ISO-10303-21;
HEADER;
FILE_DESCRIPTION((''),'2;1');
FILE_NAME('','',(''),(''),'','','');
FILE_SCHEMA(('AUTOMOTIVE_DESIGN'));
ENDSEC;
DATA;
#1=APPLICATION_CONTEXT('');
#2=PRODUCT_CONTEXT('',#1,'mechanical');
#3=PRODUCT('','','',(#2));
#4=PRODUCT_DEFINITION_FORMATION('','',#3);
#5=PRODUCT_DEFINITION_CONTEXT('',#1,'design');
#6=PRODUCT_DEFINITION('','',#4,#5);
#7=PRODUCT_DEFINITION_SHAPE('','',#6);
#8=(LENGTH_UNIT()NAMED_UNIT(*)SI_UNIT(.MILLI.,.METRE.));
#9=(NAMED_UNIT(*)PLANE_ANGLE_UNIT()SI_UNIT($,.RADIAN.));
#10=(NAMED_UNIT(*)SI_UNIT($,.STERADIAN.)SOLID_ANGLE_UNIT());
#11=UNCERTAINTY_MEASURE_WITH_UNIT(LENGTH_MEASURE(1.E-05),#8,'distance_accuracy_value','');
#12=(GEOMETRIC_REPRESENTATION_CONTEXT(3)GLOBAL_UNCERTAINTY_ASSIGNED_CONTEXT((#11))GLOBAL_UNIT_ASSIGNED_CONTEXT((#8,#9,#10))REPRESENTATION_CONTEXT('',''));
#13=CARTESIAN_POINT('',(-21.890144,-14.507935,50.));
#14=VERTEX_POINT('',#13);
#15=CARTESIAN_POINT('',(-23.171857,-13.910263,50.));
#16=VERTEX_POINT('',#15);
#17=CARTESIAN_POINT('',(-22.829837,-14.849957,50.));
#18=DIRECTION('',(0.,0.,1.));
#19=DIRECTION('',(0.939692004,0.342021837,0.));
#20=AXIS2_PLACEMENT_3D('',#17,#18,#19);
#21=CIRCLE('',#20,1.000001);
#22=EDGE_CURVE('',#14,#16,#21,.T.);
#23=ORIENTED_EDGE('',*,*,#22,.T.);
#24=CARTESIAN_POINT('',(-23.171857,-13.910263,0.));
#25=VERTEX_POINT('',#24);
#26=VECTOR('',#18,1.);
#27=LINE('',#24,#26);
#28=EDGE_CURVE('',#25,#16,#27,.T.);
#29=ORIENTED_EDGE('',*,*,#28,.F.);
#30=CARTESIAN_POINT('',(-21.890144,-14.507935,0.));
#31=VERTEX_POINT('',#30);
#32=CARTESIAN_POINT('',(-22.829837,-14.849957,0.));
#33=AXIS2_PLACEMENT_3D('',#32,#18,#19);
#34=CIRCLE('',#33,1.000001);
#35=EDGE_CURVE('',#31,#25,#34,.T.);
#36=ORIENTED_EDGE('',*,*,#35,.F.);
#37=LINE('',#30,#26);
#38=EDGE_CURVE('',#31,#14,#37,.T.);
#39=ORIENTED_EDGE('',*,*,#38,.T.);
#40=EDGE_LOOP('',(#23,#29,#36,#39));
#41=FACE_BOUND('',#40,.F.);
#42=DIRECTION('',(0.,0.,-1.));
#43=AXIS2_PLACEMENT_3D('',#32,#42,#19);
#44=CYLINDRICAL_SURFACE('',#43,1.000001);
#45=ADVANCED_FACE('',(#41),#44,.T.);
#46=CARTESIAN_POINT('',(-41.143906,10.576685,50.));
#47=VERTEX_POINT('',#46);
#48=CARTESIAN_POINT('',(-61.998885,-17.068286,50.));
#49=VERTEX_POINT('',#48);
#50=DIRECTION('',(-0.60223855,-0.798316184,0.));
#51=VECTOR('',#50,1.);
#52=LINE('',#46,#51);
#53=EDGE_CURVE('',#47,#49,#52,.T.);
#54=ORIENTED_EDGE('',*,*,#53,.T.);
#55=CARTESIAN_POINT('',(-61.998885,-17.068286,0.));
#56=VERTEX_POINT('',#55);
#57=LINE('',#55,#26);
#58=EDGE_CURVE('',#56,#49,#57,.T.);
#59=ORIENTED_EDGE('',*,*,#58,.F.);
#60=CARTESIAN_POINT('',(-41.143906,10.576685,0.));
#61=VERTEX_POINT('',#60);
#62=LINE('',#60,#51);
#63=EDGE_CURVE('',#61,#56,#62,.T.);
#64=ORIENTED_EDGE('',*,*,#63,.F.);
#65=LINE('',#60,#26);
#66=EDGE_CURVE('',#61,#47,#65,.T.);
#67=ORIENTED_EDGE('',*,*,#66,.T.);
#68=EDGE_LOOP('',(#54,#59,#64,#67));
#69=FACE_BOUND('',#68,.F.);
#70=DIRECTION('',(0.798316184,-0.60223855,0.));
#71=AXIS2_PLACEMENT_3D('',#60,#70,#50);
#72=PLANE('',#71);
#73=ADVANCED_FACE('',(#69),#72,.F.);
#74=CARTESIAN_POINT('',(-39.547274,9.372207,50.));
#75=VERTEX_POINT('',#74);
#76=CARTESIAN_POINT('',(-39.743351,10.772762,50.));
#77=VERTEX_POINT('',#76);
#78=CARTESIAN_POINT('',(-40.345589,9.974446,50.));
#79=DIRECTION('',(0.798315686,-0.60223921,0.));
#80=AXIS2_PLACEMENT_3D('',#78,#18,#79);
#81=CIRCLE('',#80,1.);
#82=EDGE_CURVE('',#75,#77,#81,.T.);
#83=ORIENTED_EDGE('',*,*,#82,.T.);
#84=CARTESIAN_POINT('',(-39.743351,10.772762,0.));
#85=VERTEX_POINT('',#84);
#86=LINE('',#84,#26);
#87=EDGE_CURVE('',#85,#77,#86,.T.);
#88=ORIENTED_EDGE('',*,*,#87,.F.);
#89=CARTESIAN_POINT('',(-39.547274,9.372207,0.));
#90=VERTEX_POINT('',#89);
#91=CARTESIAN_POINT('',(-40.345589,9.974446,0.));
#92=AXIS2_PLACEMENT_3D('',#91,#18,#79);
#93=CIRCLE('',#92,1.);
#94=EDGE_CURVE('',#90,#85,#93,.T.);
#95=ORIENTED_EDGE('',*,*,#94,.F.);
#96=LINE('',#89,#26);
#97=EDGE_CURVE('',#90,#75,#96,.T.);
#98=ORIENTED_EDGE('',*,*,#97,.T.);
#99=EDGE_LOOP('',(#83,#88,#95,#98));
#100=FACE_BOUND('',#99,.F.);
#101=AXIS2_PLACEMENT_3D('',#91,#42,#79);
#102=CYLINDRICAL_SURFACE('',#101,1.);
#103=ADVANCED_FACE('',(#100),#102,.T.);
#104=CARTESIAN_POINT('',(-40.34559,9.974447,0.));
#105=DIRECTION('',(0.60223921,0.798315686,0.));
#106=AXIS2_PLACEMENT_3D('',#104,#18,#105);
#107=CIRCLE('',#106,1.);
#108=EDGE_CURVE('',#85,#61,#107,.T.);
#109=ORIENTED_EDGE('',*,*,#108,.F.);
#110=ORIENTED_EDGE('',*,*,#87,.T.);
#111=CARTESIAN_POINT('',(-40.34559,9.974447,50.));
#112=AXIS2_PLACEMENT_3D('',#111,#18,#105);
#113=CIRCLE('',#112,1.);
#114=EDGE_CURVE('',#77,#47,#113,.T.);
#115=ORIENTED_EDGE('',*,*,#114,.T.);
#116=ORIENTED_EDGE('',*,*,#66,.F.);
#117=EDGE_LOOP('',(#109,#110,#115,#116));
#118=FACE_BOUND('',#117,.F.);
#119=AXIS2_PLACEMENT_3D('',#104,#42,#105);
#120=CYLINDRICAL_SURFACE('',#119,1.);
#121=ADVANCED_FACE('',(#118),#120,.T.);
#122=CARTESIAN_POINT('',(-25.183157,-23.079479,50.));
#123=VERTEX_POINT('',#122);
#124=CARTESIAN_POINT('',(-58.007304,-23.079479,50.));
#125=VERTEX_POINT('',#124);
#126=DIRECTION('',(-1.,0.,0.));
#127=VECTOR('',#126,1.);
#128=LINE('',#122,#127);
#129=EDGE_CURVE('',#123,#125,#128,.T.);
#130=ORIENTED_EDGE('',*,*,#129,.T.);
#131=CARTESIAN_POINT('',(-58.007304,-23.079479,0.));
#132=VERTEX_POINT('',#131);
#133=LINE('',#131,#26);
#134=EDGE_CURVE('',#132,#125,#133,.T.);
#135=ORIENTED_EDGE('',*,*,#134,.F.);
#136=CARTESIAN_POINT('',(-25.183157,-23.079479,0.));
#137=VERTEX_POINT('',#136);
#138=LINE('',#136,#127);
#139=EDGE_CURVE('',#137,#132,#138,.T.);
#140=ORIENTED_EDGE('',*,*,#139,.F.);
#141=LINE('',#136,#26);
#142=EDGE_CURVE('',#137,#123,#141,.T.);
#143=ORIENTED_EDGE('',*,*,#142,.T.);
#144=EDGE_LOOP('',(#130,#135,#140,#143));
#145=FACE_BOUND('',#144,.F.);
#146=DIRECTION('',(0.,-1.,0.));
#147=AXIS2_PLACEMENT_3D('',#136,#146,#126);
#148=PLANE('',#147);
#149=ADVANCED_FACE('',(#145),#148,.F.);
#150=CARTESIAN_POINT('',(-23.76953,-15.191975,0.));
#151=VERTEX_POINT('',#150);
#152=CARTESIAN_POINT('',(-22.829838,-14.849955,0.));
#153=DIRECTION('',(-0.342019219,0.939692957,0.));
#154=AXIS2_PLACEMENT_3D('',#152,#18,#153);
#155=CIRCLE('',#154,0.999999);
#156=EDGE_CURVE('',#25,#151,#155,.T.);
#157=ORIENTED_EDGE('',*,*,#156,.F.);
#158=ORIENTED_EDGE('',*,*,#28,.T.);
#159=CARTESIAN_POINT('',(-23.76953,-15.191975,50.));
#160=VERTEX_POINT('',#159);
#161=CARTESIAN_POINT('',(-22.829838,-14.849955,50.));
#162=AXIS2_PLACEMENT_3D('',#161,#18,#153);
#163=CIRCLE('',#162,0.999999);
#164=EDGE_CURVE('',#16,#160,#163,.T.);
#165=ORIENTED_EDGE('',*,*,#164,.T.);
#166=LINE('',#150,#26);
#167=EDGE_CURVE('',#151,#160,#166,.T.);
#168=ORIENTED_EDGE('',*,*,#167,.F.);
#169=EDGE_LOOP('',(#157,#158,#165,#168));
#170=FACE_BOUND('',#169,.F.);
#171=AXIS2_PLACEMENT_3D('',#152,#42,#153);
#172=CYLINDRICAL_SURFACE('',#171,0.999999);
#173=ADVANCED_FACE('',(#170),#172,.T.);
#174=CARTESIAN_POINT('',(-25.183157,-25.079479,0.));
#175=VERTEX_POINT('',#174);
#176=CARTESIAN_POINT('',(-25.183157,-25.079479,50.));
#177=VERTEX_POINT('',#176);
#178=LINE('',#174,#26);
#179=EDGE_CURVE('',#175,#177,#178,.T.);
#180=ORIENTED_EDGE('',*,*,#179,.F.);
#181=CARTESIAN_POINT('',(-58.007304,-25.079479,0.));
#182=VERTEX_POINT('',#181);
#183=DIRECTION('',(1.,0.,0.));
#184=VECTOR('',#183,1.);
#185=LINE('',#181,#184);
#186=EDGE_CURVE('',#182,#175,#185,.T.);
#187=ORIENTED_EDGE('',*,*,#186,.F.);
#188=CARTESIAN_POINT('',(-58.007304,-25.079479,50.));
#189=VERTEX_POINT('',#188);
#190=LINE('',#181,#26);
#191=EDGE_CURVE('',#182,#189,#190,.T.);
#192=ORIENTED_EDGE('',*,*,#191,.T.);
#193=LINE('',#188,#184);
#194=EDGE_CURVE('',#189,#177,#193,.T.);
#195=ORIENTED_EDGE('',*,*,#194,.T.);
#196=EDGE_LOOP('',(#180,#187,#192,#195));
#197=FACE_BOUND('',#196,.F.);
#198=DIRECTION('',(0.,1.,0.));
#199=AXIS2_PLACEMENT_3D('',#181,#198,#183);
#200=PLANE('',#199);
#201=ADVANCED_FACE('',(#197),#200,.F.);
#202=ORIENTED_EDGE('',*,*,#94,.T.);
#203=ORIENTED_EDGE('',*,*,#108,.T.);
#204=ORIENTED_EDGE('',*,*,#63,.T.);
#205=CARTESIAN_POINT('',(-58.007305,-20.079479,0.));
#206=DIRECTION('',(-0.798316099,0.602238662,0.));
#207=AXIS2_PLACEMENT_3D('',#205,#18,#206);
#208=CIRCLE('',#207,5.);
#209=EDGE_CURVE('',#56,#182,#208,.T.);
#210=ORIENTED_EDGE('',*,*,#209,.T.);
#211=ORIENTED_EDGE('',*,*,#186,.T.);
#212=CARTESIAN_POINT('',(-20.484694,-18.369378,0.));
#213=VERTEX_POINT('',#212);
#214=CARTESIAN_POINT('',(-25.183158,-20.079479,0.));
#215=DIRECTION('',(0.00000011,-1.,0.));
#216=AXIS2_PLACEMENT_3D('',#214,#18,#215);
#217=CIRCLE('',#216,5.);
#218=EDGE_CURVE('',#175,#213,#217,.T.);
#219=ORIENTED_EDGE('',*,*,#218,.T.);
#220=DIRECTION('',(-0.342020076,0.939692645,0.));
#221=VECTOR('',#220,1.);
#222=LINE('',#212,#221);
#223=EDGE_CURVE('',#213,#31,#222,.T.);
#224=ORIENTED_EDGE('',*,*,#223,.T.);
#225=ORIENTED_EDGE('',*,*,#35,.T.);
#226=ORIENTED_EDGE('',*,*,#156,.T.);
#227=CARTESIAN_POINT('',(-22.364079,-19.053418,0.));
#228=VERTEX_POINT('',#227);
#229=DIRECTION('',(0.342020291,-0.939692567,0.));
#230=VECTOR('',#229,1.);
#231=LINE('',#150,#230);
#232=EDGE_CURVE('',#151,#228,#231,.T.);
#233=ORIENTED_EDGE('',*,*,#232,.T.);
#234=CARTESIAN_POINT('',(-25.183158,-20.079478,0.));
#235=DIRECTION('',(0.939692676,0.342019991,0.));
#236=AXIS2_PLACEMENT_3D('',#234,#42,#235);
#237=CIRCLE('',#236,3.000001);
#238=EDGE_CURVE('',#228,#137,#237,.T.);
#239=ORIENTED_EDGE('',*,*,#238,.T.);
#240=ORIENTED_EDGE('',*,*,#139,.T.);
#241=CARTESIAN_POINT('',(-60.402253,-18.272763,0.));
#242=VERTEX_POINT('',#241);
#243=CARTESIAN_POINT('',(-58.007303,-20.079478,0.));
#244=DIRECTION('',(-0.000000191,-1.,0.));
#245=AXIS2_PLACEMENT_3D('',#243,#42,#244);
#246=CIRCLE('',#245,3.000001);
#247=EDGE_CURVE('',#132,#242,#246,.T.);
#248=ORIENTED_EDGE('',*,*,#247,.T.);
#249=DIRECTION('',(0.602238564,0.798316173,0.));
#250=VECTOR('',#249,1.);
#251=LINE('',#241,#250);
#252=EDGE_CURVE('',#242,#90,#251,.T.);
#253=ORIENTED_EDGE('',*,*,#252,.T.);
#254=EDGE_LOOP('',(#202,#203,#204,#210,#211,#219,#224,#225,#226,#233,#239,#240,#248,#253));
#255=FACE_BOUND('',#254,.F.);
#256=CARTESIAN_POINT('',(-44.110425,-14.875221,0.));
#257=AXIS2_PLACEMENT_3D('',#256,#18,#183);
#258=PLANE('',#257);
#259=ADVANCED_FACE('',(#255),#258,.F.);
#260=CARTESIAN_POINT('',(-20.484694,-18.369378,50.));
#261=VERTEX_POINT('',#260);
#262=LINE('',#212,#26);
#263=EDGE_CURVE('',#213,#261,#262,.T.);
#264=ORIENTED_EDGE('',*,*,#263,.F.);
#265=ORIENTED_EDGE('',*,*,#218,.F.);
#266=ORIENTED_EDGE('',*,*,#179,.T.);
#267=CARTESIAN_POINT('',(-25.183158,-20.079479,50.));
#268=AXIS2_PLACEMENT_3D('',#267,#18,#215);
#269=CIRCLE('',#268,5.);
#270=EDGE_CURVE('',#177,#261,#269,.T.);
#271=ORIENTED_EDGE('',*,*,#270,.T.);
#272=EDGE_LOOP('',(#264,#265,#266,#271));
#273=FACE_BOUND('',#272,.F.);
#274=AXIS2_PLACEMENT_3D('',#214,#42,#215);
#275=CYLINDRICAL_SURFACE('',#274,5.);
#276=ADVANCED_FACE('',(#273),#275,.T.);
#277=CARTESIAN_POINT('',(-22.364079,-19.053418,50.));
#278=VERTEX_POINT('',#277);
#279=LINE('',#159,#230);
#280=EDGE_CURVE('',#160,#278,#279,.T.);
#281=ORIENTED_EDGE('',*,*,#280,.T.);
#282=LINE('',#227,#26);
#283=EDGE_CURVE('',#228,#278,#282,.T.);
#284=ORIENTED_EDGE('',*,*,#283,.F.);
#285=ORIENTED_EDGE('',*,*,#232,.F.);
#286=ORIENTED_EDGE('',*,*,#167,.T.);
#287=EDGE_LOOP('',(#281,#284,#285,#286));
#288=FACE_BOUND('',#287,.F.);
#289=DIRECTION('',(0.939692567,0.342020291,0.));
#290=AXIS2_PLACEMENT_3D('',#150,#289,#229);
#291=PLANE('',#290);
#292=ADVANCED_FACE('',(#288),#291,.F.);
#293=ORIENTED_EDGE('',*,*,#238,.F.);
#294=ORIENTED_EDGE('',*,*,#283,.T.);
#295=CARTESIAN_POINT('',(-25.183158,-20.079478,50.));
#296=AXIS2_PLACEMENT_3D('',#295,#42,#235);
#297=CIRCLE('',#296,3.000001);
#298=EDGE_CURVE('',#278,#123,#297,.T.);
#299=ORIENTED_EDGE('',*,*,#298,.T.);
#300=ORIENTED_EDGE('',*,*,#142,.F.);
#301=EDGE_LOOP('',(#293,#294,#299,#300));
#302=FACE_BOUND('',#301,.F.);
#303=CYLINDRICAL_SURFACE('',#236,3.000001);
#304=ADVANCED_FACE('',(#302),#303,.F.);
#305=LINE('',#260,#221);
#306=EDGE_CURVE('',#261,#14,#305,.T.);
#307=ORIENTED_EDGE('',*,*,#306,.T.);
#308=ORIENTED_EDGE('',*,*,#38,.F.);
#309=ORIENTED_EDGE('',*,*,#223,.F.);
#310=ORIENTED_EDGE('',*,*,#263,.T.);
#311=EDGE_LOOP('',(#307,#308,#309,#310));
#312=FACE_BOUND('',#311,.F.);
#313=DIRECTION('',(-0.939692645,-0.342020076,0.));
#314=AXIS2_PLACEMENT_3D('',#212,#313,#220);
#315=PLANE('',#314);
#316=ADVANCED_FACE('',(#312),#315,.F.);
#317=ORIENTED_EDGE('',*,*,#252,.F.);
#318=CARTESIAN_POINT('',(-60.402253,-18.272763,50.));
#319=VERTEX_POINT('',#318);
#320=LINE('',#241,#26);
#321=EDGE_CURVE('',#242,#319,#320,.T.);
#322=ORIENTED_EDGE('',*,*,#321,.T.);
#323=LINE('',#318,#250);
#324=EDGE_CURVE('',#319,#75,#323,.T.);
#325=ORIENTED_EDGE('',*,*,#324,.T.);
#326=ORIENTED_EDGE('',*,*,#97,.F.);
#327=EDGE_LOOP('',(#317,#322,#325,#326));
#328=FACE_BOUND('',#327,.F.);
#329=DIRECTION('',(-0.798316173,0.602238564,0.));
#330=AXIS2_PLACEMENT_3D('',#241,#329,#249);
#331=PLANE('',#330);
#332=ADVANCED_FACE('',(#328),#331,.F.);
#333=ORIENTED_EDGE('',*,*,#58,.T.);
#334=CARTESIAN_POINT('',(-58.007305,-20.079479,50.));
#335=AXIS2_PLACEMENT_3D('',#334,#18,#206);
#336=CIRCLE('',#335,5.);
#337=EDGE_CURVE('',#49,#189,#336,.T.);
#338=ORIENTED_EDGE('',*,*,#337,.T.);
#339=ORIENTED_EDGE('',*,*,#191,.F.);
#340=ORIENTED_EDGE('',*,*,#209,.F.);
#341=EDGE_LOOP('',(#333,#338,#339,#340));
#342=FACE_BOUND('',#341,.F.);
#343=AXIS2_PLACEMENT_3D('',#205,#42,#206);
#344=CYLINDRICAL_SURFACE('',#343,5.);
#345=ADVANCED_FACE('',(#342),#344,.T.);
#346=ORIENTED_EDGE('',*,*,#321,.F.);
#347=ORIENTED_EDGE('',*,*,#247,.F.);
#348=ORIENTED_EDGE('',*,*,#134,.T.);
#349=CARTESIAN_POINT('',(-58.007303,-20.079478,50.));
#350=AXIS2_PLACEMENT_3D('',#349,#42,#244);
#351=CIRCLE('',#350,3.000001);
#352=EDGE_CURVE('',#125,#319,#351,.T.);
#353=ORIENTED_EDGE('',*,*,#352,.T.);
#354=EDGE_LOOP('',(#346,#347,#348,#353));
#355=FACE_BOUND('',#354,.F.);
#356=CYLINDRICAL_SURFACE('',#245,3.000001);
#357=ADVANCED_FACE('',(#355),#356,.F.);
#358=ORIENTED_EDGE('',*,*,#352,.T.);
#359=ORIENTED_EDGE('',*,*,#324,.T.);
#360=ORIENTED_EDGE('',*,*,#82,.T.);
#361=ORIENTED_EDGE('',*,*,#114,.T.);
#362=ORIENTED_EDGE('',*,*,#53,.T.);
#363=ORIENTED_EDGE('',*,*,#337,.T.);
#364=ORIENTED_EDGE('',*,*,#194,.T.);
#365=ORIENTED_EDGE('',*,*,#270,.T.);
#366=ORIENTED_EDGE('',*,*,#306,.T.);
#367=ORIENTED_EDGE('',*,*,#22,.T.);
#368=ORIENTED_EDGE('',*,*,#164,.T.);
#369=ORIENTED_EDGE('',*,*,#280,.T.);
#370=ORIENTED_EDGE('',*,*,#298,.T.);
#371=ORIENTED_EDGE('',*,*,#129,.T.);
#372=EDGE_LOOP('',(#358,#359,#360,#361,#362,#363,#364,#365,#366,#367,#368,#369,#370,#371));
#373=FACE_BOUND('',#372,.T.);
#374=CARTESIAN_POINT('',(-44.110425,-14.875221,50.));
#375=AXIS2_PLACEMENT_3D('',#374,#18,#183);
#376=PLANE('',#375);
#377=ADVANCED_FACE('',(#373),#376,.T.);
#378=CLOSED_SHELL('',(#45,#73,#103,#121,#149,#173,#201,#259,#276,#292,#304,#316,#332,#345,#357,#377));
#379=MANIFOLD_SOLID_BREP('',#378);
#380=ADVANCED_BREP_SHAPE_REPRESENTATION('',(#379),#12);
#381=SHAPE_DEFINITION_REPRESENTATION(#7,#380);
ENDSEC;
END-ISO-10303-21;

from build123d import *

# Parameters (mm, degrees)
F1_DEPTH = 50


with BuildPart() as f1:
    # F0 (on Top) → F1 (new body)
    with BuildSketch(Plane.XY):
        with BuildLine():
            Line((-20.484694, -18.369378), (-21.890144, -14.507935))
            ThreePointArc((-21.890144, -14.507935), (-22.407219, -13.943648), (-23.171857, -13.910263))
            ThreePointArc((-23.171857, -13.910263), (-23.736145, -14.427337), (-23.76953, -15.191975))
            Line((-23.76953, -15.191975), (-22.364079, -19.053418))
            ThreePointArc((-22.364079, -19.053418), (-22.725701, -21.800208), (-25.183157, -23.079479))
            Line((-25.183157, -23.079479), (-58.007304, -23.079479))
            ThreePointArc((-58.007304, -23.079479), (-60.692462, -21.41736), (-60.402253, -18.272763))
            Line((-60.402253, -18.272763), (-39.547274, 9.372207))
            ThreePointArc((-39.547274, 9.372207), (-39.355248, 10.113094), (-39.743351, 10.772762))
            ThreePointArc((-39.743351, 10.772762), (-40.484238, 10.964788), (-41.143906, 10.576685))
            Line((-41.143906, 10.576685), (-61.998885, -17.068286))
            ThreePointArc((-61.998885, -17.068286), (-62.482568, -22.309281), (-58.007304, -25.079479))
            Line((-58.007304, -25.079479), (-25.183157, -25.079479))
            ThreePointArc((-25.183157, -25.079479), (-21.087397, -22.947361), (-20.484694, -18.369378))
        make_face()
    extrude(amount=F1_DEPTH)


solid = f1.part
